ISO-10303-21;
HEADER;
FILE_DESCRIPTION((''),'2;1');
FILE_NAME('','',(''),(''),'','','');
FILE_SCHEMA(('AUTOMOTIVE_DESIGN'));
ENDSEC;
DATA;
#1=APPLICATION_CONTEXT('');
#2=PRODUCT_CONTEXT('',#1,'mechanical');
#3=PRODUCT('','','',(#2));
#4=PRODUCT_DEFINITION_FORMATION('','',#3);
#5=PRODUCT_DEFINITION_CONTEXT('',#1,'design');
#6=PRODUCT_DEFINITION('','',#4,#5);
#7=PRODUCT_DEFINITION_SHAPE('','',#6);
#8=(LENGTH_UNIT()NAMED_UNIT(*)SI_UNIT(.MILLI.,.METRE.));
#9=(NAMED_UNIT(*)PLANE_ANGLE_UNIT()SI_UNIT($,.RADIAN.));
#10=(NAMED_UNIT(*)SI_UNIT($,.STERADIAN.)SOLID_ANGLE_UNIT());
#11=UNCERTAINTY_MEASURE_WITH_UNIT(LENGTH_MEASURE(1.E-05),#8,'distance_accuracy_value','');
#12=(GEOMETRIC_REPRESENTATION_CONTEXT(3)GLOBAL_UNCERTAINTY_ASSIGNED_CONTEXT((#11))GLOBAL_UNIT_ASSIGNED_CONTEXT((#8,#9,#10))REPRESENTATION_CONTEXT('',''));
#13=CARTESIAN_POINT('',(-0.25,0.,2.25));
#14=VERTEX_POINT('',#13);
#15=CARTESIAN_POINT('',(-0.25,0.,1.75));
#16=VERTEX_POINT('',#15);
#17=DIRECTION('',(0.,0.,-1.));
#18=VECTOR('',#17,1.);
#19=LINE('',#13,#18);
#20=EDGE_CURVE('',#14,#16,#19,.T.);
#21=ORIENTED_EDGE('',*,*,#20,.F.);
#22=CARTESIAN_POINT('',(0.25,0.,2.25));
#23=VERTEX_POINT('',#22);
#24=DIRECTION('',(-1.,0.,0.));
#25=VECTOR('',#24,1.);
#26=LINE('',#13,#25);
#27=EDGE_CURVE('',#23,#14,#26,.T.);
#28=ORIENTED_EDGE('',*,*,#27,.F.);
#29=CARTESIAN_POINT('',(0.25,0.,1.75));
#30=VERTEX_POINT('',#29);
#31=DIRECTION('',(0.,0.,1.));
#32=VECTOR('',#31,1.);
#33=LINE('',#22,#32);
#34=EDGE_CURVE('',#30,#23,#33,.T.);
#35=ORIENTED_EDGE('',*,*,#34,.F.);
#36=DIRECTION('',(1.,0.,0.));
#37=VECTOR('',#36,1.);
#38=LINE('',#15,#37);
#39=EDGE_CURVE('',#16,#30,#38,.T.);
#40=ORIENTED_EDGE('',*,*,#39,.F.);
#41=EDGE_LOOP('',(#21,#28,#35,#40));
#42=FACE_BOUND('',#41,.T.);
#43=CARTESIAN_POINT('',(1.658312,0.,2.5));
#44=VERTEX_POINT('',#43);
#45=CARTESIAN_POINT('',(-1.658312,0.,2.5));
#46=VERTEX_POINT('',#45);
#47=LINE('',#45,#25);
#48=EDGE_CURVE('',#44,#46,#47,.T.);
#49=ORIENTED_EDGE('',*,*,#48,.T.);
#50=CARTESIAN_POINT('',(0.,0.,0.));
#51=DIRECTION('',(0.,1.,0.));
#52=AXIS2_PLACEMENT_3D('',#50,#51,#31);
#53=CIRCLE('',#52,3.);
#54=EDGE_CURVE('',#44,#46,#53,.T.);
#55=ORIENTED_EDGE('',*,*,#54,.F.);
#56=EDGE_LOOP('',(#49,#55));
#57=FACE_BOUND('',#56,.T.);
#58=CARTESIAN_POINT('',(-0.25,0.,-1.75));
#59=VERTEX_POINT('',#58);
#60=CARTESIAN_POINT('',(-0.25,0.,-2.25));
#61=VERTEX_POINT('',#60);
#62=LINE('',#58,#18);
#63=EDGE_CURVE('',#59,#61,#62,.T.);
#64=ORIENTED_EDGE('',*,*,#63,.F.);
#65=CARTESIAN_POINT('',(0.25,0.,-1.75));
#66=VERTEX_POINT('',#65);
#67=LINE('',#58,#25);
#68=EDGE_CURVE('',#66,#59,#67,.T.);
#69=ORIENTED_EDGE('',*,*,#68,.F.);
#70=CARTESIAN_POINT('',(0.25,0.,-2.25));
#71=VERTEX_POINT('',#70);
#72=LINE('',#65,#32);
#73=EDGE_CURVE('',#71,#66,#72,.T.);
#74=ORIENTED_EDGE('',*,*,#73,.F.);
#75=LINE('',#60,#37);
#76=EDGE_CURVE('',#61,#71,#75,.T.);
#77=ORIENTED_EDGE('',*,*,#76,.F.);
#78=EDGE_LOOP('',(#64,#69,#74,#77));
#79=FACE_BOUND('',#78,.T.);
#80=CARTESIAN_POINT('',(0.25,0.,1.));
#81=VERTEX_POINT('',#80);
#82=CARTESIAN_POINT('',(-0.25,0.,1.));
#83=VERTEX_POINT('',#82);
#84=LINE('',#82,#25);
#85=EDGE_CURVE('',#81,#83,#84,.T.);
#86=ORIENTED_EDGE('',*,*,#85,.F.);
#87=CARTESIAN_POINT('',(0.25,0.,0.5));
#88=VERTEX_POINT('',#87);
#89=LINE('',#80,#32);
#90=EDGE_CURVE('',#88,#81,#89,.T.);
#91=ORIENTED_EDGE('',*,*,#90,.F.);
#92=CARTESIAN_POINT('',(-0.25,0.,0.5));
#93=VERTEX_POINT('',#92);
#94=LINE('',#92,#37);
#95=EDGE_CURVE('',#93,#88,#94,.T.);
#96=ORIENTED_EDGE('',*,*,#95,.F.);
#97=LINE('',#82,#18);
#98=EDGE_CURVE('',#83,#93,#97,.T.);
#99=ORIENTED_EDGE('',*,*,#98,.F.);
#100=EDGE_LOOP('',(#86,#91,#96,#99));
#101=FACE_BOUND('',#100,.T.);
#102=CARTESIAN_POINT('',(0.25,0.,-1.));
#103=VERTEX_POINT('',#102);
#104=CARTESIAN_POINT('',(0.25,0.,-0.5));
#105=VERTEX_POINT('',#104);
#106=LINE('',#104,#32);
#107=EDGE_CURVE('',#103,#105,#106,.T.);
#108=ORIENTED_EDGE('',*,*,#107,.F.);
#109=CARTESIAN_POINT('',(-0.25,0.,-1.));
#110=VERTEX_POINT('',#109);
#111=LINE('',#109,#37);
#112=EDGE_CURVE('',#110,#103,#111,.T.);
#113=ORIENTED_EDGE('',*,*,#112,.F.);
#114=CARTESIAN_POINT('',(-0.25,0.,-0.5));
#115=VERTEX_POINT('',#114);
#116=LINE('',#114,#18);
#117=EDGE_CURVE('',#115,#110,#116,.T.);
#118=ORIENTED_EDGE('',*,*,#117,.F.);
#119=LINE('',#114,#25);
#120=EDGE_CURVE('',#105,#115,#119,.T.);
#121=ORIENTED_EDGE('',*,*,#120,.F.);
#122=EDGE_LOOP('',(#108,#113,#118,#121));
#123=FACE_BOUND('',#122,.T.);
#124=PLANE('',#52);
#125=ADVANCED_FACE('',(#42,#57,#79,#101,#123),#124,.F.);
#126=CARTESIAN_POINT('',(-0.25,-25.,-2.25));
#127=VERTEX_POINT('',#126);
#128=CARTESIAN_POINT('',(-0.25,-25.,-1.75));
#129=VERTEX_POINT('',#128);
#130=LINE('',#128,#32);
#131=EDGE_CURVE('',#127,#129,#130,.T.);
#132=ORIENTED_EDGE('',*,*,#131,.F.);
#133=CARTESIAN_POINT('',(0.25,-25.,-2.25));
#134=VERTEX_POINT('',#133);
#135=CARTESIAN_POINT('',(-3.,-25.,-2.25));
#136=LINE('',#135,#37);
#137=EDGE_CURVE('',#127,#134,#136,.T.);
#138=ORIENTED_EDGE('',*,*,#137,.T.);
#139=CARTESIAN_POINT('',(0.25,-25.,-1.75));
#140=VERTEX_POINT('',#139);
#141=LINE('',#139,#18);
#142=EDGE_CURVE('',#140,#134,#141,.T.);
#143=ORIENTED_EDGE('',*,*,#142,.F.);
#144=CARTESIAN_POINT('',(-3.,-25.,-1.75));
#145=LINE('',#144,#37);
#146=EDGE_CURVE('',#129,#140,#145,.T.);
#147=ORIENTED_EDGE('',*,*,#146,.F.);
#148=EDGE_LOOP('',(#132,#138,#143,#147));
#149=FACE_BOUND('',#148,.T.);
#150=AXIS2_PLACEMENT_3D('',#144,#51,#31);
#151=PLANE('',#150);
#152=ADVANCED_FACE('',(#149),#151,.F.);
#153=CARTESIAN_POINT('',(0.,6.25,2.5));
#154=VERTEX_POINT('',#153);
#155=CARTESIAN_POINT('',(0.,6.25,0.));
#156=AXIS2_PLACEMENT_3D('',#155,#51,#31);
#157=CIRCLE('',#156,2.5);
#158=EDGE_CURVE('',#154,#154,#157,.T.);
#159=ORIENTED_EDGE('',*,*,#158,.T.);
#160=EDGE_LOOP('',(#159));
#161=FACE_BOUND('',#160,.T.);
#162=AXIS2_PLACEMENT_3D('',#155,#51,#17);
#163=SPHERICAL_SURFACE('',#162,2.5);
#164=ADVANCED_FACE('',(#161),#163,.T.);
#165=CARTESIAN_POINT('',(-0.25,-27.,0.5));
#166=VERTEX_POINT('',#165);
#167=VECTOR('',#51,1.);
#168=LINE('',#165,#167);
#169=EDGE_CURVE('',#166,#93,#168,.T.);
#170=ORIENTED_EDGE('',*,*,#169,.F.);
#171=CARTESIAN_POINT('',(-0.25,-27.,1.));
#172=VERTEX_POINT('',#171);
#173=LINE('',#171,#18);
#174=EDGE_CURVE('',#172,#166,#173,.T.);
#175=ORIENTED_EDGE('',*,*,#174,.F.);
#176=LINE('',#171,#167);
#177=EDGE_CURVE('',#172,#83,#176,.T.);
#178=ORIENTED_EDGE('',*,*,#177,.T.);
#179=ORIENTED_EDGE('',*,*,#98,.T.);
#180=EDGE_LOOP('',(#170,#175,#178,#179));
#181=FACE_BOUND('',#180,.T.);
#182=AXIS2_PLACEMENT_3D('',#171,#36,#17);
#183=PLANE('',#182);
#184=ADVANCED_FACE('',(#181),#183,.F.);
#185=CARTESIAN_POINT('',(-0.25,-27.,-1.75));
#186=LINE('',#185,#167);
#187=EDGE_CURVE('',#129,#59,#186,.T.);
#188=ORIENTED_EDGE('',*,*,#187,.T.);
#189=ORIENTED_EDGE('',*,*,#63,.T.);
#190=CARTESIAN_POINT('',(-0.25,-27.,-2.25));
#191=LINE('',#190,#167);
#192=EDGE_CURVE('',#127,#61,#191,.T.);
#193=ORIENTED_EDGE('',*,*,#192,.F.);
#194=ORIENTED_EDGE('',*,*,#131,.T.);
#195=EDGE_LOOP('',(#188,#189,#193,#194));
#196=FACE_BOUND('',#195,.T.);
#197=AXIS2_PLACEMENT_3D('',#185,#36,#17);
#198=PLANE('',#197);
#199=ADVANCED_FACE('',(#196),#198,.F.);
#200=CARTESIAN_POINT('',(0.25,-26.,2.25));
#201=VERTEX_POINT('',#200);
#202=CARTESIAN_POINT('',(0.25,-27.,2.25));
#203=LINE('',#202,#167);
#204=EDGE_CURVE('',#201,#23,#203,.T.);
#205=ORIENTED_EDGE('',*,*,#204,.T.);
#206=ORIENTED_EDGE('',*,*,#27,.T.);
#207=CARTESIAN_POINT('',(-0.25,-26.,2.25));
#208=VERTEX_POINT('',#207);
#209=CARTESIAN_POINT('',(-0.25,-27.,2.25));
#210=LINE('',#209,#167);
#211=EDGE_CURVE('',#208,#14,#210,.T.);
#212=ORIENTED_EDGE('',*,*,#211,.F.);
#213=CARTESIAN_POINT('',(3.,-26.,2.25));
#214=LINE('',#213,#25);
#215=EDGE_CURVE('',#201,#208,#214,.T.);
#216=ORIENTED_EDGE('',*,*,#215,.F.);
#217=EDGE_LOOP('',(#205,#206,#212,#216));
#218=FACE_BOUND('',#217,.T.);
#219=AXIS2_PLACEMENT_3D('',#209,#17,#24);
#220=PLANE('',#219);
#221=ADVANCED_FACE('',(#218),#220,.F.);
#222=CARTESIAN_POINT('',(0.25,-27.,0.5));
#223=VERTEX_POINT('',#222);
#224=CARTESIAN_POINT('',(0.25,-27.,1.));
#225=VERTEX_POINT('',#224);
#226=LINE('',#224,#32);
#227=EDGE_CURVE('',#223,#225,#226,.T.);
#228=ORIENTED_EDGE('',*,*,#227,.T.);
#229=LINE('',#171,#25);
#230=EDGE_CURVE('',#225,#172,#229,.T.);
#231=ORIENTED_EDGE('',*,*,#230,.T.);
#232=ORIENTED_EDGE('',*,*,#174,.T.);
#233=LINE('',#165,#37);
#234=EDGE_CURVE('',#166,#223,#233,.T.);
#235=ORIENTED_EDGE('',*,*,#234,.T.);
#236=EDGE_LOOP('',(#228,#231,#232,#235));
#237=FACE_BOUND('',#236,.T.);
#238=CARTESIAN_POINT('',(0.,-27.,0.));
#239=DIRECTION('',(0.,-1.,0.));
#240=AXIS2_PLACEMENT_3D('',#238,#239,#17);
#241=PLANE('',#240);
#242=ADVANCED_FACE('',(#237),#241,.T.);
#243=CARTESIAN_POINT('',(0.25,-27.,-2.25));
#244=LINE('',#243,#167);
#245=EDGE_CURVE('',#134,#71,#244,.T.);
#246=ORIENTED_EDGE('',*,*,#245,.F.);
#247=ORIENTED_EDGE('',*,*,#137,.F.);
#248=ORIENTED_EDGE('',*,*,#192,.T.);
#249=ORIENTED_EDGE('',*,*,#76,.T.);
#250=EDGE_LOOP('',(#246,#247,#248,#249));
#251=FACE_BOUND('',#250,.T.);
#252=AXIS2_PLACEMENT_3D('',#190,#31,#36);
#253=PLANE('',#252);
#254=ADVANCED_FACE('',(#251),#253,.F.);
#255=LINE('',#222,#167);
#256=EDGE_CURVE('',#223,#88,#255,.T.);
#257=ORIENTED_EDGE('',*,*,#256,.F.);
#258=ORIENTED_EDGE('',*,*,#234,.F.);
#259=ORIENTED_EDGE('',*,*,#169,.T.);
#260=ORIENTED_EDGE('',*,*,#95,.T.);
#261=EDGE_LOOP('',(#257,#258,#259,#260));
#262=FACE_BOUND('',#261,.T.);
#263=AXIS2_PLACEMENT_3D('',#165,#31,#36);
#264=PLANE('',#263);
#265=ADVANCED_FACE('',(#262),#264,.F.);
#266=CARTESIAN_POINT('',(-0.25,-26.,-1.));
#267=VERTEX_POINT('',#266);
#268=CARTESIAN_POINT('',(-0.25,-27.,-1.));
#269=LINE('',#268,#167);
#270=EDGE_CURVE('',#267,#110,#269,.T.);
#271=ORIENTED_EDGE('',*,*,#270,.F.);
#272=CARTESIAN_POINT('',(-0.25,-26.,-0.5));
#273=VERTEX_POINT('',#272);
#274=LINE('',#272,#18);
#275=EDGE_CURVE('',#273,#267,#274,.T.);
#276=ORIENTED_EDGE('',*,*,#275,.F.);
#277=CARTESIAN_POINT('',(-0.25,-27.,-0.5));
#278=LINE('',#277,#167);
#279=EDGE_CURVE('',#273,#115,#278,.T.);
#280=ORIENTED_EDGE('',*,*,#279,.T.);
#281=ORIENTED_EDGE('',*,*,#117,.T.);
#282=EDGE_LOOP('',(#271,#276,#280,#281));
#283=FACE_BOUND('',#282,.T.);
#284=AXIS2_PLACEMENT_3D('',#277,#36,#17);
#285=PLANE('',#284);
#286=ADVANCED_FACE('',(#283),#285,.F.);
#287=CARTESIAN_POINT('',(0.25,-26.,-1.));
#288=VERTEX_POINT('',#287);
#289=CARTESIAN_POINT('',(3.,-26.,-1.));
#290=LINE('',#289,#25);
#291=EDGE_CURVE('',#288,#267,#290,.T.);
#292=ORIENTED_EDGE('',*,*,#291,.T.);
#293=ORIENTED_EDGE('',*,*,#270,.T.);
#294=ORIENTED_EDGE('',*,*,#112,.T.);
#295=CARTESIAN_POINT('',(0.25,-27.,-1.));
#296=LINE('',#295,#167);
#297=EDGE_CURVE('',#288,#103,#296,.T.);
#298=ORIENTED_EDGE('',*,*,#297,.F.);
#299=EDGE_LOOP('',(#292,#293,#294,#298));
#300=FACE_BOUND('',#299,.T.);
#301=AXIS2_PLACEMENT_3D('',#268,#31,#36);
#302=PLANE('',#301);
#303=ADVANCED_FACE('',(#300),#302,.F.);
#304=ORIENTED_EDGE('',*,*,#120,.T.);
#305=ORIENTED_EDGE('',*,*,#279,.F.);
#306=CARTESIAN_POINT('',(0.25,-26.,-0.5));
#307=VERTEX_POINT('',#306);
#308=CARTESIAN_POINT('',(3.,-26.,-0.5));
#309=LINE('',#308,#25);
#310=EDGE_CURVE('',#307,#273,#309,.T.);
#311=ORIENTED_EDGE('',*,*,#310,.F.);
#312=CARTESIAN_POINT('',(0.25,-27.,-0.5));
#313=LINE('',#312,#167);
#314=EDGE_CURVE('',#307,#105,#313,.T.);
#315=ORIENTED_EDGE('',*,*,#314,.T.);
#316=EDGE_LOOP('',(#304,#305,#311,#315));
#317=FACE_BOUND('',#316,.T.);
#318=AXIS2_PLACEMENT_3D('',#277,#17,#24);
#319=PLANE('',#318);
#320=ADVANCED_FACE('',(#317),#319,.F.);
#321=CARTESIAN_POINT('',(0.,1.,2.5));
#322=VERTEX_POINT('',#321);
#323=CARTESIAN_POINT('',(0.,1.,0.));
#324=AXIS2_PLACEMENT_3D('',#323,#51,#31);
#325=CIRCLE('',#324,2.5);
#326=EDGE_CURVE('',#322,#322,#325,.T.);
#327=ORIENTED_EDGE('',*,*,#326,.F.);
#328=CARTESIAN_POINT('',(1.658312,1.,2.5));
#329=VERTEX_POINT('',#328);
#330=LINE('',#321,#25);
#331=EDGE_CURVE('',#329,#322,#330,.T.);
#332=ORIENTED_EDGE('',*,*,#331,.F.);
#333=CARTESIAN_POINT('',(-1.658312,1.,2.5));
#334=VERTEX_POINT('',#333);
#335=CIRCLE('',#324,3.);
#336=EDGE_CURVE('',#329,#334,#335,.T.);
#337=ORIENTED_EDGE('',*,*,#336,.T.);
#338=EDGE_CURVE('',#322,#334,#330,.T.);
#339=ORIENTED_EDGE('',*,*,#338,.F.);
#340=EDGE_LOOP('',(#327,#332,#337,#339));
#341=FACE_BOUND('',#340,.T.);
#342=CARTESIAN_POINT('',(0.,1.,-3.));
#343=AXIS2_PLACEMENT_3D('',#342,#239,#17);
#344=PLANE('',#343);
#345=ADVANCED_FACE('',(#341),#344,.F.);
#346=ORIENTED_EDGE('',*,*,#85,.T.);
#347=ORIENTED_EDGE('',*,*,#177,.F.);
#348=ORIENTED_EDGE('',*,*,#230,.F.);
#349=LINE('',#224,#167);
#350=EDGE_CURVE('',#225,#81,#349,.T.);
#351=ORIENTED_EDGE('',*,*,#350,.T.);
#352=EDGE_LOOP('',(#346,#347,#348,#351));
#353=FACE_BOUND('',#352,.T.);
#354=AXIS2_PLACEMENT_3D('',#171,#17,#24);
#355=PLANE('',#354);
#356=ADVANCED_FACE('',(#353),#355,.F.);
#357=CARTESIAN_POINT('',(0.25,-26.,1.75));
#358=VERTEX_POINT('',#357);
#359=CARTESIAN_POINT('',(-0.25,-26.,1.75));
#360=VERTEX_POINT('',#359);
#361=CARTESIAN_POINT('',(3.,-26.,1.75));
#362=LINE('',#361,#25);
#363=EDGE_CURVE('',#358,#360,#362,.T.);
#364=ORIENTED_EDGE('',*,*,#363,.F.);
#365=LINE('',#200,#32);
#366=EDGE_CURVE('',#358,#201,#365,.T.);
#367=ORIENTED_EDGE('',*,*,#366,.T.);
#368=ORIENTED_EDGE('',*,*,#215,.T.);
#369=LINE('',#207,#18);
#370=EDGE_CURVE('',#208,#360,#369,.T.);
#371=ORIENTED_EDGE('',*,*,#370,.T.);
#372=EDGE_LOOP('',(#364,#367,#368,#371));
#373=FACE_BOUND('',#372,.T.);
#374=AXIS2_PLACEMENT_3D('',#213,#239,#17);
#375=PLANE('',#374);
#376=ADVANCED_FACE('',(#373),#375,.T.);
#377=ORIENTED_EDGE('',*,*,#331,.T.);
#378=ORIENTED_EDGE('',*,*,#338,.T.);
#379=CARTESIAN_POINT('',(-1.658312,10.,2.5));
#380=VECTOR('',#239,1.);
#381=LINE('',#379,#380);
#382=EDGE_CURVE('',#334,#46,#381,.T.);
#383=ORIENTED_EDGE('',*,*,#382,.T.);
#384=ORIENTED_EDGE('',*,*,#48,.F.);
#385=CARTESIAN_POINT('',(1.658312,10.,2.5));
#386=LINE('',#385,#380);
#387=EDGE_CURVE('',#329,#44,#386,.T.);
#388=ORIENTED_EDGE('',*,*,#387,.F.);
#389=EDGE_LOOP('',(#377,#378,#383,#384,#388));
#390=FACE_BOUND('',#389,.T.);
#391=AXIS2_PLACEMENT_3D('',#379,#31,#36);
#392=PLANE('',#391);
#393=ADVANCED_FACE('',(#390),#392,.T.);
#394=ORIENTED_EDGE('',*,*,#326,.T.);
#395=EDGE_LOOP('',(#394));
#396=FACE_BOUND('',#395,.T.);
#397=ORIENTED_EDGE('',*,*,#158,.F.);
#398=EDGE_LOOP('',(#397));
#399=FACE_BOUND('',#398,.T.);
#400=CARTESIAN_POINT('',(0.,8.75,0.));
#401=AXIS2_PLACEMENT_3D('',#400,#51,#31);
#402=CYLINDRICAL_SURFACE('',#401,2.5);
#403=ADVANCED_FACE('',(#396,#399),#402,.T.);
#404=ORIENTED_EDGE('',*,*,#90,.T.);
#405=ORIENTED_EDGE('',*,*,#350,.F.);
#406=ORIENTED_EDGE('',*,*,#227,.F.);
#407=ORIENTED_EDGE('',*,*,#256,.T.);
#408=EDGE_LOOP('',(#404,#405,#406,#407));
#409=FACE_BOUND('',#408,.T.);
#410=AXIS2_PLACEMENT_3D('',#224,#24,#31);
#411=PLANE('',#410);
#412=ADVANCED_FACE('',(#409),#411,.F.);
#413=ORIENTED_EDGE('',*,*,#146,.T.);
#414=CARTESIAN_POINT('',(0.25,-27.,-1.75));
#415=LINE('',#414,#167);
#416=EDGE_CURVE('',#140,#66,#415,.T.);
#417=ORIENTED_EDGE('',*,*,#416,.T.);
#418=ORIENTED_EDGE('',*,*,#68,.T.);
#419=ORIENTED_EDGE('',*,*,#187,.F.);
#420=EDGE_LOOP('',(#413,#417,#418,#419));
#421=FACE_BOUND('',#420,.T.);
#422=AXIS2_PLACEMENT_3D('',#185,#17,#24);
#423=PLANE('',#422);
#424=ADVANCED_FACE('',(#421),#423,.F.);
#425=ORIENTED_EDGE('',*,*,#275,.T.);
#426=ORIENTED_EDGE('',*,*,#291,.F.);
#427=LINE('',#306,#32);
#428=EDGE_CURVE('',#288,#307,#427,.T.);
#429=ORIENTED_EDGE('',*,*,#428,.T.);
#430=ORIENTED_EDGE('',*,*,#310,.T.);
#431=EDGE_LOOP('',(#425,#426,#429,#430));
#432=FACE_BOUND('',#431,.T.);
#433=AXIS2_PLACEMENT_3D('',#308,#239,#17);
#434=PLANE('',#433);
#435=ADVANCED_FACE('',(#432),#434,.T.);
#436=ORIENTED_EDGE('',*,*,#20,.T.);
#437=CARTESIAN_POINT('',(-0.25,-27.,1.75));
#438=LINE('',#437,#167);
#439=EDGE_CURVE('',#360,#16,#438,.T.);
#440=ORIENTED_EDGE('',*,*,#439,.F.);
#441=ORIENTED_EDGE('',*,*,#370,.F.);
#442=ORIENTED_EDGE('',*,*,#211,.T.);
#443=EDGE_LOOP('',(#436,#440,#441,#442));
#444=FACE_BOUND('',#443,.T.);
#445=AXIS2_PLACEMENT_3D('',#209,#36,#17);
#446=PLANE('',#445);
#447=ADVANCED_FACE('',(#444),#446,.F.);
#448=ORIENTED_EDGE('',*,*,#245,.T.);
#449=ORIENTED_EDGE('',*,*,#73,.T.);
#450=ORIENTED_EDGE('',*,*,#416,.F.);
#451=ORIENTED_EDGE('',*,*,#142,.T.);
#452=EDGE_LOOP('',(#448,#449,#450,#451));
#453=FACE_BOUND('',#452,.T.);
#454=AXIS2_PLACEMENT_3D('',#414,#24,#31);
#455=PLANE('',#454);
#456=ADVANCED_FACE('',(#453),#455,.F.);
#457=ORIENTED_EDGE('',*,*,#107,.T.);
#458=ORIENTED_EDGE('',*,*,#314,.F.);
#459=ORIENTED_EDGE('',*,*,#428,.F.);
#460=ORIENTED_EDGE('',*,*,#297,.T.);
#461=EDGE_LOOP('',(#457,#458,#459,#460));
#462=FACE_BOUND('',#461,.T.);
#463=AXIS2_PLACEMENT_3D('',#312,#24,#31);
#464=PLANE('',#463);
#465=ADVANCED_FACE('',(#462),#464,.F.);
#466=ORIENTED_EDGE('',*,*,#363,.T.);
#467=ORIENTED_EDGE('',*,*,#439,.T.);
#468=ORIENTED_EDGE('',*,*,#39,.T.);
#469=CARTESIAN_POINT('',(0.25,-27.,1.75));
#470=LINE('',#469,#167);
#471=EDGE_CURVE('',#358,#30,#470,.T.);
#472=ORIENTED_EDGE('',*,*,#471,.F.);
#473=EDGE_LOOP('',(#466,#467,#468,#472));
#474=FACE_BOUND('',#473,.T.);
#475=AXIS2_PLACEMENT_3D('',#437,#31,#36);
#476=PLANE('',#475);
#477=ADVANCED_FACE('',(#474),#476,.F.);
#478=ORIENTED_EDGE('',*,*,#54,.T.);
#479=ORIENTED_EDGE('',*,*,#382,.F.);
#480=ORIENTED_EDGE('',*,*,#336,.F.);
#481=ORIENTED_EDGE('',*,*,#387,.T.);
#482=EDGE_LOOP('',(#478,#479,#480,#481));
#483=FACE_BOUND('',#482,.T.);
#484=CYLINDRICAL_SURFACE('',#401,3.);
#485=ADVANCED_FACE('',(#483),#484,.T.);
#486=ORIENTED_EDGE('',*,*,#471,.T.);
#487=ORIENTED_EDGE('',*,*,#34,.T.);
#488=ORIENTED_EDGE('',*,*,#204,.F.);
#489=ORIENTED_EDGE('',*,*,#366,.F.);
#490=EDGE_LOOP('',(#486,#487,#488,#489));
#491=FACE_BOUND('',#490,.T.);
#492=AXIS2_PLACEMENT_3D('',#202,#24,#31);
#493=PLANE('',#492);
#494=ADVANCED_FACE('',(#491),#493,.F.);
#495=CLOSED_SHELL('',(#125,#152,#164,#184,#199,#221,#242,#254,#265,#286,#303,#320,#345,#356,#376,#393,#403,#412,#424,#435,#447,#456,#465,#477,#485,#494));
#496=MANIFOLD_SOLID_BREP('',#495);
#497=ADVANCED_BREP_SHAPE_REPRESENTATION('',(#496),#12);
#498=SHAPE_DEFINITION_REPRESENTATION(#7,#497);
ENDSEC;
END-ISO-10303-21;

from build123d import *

# Parameters (mm, degrees)
CUT_EXTRUDE2_DEPTH      = 10
SKETCH3_W               = 0.5
SKETCH3_H               = 0.5
BOSS_EXTRUDE1_DEPTH     = 27
SKETCH5_W               = 0.5
SKETCH5_H               = 1
CUT_EXTRUDE3_DEPTH      = 4
CUT_EXTRUDE3_DEPTH_BACK = 4
SKETCH7_W               = 0.5
SKETCH7_H               = 2
CUT_EXTRUDE4_DEPTH      = 4
CUT_EXTRUDE4_DEPTH_BACK = 4


with BuildPart() as part:
    # Sketch1 → Revolve1 (revolve)
    with BuildSketch(Plane(origin=(0, 0, 0), x_dir=(0, 0, -1), z_dir=(1, 0, 0))):
        with BuildLine():
            Line((0, 0), (3, 0))
            Line((3, 0), (3, 1))
            Line((3, 1), (2.5, 1))
            Line((2.5, 1), (2.5, 6.25))
            ThreePointArc((2.5, 6.25), (1.767766953, 8.017766953), (0, 8.75))
            Line((0, 8.75), (0, 0))
        make_face()
    revolve(axis=Axis((0, 8.75, 0), (0, -1, 0)))

    # Sketch2 → Cut-Extrude2 (cut)
    with BuildSketch(Plane(origin=(0, 0, 0), x_dir=(1, 0, 0), z_dir=(0, 1, 0))):
        with BuildLine():
            Line((-1.658312395, -2.5), (1.658312395, -2.5))
            ThreePointArc((1.658312395, -2.5), (0, -3), (-1.658312395, -2.5))
        make_face()
    extrude(amount=CUT_EXTRUDE2_DEPTH, mode=Mode.SUBTRACT)

    # Sketch3 → Boss-Extrude1 (add)
    with BuildSketch(Plane.XZ):
        with Locations((0, 2)):
            Rectangle(SKETCH3_W, SKETCH3_H)
        with Locations((0, 0.75)):
            Rectangle(SKETCH3_W, SKETCH3_H)
        with Locations((0, -0.75)):
            Rectangle(SKETCH3_W, SKETCH3_H)
        with Locations((0, -2)):
            Rectangle(SKETCH3_W, SKETCH3_H)
    extrude(amount=BOSS_EXTRUDE1_DEPTH)

    # Sketch5 → Cut-Extrude3 (cut, two sides)
    with BuildSketch(Plane(origin=(0, 0, 0), x_dir=(0, 0, -1), z_dir=(1, 0, 0))) as cut_extrude3_sk:
        with Locations((-2, -26.5)):
            Rectangle(SKETCH5_W, SKETCH5_H)
        with Locations((0.75, -26.5)):
            Rectangle(SKETCH5_W, SKETCH5_H)
    extrude(amount=CUT_EXTRUDE3_DEPTH, mode=Mode.SUBTRACT)
    extrude(cut_extrude3_sk.sketch, amount=-CUT_EXTRUDE3_DEPTH_BACK, mode=Mode.SUBTRACT)

    # Sketch7 → Cut-Extrude4 (cut, two sides)
    with BuildSketch(Plane(origin=(0, 0, 0), x_dir=(0, 0, -1), z_dir=(1, 0, 0))) as cut_extrude4_sk:
        with Locations((2, -26)):
            Rectangle(SKETCH7_W, SKETCH7_H)
    extrude(amount=CUT_EXTRUDE4_DEPTH, mode=Mode.SUBTRACT)
    extrude(cut_extrude4_sk.sketch, amount=-CUT_EXTRUDE4_DEPTH_BACK, mode=Mode.SUBTRACT)


solid = part.part
